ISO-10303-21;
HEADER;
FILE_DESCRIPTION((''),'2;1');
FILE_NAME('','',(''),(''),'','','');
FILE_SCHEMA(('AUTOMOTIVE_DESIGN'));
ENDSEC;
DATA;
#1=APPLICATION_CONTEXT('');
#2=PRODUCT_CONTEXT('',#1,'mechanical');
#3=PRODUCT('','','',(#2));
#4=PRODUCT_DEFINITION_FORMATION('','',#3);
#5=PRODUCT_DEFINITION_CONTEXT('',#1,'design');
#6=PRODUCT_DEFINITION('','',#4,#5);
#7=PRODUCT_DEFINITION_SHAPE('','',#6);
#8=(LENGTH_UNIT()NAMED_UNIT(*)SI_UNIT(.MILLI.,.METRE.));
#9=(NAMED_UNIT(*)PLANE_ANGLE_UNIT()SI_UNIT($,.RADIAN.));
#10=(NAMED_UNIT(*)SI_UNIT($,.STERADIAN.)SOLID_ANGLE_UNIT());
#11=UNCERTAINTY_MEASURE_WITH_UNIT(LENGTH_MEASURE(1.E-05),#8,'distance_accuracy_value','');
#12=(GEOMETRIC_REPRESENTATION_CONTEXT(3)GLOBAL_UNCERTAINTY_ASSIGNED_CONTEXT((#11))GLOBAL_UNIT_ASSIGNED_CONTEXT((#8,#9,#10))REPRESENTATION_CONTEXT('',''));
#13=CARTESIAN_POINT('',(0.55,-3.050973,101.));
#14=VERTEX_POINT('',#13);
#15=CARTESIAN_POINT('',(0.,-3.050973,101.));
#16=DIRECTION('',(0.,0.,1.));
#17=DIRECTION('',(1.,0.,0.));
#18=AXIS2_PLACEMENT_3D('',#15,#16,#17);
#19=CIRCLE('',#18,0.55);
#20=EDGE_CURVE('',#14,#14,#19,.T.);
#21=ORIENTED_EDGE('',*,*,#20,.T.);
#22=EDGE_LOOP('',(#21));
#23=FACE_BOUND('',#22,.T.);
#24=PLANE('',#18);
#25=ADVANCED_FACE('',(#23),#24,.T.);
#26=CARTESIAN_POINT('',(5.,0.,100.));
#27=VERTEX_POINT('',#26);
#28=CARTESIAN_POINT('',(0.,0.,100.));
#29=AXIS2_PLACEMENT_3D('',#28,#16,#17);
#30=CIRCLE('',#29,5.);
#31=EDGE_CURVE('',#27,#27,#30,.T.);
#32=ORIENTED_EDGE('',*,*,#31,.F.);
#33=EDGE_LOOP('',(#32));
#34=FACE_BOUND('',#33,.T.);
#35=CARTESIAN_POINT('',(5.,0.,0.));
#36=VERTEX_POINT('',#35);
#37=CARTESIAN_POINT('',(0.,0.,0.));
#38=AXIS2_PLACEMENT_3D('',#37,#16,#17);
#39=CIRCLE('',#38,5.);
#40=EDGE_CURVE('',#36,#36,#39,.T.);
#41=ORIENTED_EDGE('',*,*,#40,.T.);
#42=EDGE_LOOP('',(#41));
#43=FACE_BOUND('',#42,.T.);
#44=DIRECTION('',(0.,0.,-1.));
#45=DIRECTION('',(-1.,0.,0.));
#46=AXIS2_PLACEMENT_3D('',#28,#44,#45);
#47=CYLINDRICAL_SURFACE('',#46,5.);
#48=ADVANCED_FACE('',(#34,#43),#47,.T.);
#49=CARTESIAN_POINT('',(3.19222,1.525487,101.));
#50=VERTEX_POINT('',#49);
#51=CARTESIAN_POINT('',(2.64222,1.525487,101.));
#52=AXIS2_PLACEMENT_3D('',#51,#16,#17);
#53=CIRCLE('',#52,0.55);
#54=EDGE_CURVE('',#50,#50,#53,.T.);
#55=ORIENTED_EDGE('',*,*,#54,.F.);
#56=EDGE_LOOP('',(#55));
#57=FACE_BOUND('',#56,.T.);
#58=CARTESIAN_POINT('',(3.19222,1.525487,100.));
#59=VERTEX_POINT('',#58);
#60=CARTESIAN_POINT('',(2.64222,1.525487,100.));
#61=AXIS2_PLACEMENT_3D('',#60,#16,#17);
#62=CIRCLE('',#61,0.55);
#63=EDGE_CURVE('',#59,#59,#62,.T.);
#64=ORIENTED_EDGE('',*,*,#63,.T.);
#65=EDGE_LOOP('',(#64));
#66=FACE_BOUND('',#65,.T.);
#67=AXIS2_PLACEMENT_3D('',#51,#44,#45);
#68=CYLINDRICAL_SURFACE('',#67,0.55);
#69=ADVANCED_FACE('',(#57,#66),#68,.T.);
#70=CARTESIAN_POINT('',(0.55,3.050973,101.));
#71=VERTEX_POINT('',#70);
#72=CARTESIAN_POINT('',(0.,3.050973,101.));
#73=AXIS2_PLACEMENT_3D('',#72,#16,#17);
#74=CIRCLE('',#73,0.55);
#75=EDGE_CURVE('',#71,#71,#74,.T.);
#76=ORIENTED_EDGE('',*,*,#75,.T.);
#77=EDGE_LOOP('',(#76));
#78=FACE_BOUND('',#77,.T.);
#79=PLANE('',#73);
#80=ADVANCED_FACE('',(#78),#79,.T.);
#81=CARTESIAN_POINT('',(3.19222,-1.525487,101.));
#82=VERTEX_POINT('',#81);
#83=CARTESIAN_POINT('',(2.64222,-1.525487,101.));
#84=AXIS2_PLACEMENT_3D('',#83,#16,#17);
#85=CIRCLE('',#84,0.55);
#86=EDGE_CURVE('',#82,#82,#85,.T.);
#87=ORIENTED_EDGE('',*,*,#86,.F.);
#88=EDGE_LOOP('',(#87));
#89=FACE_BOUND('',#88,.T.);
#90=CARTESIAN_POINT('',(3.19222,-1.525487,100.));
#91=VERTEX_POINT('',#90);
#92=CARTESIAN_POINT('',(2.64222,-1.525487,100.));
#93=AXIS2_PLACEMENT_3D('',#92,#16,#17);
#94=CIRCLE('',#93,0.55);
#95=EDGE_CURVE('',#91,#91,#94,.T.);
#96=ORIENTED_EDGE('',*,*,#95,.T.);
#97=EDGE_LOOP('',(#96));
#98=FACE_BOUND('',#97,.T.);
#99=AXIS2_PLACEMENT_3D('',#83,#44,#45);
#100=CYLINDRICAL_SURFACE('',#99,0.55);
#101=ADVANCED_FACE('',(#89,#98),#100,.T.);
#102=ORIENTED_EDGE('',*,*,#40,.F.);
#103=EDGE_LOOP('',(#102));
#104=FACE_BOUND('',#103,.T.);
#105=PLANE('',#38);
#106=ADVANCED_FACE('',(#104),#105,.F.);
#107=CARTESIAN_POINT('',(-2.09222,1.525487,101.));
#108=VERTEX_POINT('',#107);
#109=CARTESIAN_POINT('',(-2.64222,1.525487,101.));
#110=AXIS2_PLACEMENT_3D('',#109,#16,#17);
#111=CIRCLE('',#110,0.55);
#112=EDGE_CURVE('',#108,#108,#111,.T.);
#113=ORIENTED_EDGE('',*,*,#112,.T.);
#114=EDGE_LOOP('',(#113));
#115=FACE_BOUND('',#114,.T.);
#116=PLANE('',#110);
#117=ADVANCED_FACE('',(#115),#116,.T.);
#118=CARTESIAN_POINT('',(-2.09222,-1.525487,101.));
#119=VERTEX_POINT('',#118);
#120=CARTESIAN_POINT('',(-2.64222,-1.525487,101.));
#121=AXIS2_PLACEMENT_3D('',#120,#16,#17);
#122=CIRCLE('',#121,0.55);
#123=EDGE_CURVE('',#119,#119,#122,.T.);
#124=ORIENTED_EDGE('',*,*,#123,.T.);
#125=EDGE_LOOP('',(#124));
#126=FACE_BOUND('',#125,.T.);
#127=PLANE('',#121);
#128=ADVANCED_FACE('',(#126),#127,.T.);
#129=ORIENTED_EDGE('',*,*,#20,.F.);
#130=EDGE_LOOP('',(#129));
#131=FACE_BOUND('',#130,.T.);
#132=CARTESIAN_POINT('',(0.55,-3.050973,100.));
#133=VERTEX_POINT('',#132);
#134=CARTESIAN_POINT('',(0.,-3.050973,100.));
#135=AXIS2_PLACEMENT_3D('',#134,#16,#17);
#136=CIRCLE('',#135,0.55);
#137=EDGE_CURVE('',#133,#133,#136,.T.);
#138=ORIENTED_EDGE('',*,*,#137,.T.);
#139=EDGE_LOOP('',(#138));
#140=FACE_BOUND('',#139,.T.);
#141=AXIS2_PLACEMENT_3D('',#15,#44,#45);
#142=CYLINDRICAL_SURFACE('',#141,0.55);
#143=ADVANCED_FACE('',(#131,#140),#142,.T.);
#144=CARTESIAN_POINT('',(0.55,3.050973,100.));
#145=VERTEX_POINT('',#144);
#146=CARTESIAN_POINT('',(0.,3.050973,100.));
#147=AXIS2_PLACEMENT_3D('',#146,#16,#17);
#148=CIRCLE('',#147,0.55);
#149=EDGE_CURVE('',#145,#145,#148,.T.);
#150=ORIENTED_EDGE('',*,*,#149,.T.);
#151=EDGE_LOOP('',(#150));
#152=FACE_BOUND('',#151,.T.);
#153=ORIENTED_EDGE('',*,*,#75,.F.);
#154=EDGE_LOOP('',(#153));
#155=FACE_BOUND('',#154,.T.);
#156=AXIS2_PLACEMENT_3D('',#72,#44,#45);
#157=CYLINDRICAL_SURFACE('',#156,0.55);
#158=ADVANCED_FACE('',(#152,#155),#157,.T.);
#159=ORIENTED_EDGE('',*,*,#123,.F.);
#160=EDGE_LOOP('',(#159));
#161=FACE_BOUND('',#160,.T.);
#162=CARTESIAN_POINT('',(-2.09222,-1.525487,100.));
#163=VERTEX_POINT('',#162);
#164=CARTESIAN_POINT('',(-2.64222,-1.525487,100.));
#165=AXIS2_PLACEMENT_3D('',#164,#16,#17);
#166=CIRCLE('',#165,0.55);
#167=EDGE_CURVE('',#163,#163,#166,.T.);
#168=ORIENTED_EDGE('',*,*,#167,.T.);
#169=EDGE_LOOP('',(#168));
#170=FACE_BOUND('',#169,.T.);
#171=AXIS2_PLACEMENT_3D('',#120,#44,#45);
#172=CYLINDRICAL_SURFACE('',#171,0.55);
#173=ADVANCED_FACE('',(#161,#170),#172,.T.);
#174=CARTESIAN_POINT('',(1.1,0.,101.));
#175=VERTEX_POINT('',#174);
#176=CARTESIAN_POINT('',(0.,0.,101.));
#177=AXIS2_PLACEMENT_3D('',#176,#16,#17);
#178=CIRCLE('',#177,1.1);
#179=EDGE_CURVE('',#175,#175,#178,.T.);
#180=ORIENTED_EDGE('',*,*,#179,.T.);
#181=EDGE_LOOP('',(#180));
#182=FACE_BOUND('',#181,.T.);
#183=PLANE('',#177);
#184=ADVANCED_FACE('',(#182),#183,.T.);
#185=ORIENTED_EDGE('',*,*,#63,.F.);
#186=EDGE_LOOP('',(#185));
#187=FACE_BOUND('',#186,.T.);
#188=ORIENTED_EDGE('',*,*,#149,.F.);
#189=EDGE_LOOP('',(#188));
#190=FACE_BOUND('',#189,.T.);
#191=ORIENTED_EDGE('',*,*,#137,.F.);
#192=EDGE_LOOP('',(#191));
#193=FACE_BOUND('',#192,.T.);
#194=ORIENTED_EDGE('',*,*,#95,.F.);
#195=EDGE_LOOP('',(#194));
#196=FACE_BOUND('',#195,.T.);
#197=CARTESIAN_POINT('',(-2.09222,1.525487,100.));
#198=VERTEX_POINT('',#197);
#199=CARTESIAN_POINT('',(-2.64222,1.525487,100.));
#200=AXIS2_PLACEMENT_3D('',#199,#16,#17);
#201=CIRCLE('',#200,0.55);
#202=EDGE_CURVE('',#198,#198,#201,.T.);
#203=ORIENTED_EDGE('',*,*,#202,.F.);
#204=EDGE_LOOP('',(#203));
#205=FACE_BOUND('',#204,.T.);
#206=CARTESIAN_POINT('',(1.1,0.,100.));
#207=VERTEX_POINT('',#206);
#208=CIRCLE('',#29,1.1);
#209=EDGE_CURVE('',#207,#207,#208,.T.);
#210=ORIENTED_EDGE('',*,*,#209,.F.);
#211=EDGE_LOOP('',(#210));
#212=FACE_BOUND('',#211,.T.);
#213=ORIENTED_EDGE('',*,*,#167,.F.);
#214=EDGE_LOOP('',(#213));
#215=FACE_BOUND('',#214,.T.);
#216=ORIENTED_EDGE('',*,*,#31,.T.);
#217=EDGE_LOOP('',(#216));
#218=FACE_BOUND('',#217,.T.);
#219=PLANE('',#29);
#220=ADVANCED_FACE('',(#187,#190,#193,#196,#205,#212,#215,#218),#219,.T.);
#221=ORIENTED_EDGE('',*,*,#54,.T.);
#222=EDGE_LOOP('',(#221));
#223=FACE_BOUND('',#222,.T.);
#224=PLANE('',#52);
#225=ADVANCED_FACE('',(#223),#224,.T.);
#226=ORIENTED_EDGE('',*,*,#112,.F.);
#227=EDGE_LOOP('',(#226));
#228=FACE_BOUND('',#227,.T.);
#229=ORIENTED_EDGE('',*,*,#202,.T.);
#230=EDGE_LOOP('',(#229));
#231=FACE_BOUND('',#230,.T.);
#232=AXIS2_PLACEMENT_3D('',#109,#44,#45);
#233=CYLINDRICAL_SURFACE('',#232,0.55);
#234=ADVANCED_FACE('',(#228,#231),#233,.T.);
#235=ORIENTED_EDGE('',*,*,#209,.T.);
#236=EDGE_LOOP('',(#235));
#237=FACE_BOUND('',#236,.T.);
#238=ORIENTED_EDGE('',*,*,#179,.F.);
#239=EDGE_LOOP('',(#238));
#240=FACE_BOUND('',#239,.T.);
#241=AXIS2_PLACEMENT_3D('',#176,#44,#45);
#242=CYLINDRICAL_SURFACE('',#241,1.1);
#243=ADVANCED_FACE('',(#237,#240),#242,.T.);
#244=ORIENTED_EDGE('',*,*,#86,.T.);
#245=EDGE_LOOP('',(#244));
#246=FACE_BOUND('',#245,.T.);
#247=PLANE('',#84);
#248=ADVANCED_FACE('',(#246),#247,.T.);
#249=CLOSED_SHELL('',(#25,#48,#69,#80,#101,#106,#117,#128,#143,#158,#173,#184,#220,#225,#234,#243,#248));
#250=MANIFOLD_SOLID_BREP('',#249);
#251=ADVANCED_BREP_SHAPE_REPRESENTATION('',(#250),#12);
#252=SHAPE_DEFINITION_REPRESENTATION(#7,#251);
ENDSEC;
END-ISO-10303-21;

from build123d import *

# Parameters (mm, degrees)
SKETCH1_R           = 5
BOSS_EXTRUDE1_DEPTH = 100
SKETCH3_R           = 1.1
SKETCH3_R_2         = 0.55
BOSS_EXTRUDE3_DEPTH = 1


with BuildPart() as part:
    # Sketch1 → Boss-Extrude1 (new body)
    with BuildSketch(Plane.XY):
        Circle(SKETCH1_R)
    extrude(amount=BOSS_EXTRUDE1_DEPTH)

    # Sketch3 → Boss-Extrude3 (add)
    with BuildSketch(Plane.XY.offset(100)):
        Circle(SKETCH3_R)
        with Locations((-2.642220318, 1.525486612)):
            Circle(SKETCH3_R_2)
        with Locations((0, 3.050973223)):
            Circle(SKETCH3_R_2)
        with Locations((-2.642220318, -1.525486612)):
            Circle(SKETCH3_R_2)
        with Locations((0, -3.050973223)):
            Circle(SKETCH3_R_2)
        with Locations((2.642220318, -1.525486612)):
            Circle(SKETCH3_R_2)
        with Locations((2.642220318, 1.525486612)):
            Circle(SKETCH3_R_2)
    extrude(amount=BOSS_EXTRUDE3_DEPTH)


solid = part.part
